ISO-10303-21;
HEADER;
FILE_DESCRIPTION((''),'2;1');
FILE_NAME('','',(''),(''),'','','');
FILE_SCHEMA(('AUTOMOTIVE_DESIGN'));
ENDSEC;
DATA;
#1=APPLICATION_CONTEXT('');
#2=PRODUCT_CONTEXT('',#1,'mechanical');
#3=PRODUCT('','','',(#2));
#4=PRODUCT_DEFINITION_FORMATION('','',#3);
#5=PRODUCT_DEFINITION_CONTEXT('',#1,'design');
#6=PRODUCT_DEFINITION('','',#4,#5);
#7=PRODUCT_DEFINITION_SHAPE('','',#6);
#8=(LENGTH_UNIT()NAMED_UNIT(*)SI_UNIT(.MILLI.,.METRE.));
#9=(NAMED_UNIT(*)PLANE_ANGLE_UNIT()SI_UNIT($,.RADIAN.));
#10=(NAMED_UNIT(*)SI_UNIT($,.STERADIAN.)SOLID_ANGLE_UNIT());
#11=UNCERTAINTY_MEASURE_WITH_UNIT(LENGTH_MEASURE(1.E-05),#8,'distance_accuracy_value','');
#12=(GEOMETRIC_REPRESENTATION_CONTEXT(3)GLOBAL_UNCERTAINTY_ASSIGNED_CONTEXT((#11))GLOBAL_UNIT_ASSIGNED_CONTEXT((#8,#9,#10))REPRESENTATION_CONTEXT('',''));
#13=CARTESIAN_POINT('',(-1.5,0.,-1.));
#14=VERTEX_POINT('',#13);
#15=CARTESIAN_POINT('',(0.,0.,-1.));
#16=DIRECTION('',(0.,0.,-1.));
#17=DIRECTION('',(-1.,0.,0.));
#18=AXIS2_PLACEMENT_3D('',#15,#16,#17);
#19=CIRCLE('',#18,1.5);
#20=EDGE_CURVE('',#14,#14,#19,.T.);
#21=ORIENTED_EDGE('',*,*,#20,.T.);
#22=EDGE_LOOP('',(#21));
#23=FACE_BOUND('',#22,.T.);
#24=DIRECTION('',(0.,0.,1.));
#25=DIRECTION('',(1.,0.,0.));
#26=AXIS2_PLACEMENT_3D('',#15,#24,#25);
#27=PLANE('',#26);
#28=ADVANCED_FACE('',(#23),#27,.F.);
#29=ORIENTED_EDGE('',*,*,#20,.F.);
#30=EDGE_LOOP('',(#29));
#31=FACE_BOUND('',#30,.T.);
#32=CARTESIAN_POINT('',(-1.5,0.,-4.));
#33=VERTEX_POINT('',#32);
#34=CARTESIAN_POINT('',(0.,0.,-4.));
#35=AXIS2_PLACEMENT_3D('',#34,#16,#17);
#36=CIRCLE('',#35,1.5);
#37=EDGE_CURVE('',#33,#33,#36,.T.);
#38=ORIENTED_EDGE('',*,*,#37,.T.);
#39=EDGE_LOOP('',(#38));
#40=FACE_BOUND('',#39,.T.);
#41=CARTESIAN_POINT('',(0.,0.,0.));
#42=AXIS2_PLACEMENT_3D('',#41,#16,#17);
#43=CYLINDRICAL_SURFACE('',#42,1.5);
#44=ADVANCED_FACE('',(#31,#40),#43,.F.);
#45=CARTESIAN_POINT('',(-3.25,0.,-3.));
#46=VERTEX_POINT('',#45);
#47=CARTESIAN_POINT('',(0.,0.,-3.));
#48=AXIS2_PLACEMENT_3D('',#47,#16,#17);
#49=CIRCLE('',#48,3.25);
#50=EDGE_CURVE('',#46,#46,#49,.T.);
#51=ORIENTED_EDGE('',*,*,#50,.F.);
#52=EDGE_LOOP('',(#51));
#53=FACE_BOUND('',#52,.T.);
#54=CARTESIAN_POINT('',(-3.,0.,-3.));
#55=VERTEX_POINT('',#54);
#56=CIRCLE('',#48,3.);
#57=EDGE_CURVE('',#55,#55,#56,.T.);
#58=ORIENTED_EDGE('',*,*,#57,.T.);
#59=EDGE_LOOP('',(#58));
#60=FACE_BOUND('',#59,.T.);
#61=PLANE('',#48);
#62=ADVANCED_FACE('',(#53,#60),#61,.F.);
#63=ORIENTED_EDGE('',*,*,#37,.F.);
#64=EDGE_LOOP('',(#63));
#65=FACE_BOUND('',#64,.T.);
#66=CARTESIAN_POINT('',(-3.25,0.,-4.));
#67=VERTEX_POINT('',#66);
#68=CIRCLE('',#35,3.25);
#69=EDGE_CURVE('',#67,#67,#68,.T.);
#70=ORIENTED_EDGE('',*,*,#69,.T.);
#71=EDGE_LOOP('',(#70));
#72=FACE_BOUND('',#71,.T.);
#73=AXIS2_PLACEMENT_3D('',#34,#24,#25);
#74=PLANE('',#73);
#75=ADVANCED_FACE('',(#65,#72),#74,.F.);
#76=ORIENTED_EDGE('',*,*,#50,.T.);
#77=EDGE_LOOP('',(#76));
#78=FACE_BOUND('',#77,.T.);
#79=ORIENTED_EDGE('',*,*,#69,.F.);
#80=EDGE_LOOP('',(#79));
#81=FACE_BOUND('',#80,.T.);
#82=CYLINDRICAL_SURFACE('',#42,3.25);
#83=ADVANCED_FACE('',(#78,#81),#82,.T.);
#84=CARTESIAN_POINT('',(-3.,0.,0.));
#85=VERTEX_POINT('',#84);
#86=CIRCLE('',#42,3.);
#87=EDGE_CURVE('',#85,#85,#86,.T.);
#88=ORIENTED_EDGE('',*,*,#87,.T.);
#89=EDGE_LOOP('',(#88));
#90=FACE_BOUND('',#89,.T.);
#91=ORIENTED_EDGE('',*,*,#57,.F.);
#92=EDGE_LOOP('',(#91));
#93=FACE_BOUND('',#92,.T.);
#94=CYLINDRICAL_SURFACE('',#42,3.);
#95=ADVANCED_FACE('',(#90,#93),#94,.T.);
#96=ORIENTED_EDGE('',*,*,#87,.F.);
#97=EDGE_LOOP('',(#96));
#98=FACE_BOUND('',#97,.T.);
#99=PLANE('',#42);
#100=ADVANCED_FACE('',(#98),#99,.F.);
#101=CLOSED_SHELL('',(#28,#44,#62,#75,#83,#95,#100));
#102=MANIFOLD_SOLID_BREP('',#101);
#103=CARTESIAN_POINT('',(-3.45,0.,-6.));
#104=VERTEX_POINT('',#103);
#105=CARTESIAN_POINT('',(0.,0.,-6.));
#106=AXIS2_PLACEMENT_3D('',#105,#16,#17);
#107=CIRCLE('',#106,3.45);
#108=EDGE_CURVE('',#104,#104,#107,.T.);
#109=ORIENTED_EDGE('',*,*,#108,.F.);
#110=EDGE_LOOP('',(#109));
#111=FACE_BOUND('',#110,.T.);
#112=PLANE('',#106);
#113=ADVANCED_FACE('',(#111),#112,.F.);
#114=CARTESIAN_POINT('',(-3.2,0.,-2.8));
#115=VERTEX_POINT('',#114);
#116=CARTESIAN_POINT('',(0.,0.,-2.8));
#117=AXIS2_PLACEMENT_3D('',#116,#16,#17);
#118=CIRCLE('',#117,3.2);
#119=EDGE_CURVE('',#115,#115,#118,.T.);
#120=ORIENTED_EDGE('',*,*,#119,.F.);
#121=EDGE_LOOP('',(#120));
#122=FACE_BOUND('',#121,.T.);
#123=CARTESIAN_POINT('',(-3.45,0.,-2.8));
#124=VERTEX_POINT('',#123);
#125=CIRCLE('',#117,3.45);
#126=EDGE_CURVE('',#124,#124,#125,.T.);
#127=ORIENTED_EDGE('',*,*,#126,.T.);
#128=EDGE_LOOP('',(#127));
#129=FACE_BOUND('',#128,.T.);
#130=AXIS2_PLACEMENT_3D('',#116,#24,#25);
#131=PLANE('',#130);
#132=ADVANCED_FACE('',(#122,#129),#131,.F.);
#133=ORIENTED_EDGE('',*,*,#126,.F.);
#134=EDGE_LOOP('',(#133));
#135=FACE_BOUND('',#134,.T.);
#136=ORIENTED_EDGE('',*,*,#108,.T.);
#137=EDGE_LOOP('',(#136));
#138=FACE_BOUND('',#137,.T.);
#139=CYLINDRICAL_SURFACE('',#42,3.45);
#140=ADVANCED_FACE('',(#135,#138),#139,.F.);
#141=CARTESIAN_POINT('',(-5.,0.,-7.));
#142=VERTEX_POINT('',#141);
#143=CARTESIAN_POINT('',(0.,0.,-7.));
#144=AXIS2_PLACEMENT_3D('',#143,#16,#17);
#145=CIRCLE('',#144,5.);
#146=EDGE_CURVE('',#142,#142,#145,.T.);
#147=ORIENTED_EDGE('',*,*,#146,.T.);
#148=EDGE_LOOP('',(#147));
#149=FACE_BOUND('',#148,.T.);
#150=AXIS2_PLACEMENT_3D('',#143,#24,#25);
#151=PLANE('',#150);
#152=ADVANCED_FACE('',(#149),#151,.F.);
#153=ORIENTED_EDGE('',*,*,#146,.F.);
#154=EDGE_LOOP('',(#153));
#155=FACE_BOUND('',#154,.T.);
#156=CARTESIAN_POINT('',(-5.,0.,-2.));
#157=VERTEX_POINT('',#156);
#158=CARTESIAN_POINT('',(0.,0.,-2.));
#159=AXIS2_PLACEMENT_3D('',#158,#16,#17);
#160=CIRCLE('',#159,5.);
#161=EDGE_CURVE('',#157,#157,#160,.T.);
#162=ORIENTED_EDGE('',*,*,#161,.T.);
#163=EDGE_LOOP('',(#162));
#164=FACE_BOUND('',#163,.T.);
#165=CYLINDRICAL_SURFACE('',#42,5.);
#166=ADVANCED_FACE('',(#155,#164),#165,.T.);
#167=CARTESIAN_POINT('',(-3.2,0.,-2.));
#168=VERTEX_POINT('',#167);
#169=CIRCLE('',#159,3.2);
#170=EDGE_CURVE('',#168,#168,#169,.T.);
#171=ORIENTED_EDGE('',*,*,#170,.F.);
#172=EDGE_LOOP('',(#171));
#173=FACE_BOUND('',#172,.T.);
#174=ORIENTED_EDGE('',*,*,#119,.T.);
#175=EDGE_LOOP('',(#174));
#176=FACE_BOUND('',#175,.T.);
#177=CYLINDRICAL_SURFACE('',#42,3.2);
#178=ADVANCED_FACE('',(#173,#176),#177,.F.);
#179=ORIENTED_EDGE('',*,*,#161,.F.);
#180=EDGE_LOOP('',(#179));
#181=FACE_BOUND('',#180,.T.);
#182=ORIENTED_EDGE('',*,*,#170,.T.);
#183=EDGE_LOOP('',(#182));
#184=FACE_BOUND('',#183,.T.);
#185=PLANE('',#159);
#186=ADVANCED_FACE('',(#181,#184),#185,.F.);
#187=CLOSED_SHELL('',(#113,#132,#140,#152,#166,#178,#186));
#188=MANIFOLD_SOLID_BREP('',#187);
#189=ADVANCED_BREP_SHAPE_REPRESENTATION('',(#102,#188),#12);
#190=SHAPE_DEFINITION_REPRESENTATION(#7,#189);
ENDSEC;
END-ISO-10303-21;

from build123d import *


with BuildPart() as part:
    # Sketch3 → Revolve3 (revolve)
    with BuildSketch(Plane(origin=(0, 0, 0), x_dir=(1, 0, 0), z_dir=(0, 1, 0))):
        Polygon((0, 1), (0, 0), (3, 0), (3, 3), (3.25, 3), (3.25, 4), (1.5, 4), (1.5, 1), align=None)
    revolve(axis=Axis((0, 0, 0), (0, 0, 1)))


with BuildPart() as body_2:
    # Sketch3<3> → Revolve4 (revolve)
    with BuildSketch(Plane(origin=(0, 0, 0), x_dir=(1, 0, 0), z_dir=(0, 1, 0))):
        Polygon((0, 7), (0, 6), (3.45, 6), (3.45, 2.8), (3.2, 2.8), (3.2, 2), (5, 2), (5, 7), align=None)
    revolve(axis=Axis((0, 0, 0), (0, 0, 1)))


solid = Compound([part.part, body_2.part])
